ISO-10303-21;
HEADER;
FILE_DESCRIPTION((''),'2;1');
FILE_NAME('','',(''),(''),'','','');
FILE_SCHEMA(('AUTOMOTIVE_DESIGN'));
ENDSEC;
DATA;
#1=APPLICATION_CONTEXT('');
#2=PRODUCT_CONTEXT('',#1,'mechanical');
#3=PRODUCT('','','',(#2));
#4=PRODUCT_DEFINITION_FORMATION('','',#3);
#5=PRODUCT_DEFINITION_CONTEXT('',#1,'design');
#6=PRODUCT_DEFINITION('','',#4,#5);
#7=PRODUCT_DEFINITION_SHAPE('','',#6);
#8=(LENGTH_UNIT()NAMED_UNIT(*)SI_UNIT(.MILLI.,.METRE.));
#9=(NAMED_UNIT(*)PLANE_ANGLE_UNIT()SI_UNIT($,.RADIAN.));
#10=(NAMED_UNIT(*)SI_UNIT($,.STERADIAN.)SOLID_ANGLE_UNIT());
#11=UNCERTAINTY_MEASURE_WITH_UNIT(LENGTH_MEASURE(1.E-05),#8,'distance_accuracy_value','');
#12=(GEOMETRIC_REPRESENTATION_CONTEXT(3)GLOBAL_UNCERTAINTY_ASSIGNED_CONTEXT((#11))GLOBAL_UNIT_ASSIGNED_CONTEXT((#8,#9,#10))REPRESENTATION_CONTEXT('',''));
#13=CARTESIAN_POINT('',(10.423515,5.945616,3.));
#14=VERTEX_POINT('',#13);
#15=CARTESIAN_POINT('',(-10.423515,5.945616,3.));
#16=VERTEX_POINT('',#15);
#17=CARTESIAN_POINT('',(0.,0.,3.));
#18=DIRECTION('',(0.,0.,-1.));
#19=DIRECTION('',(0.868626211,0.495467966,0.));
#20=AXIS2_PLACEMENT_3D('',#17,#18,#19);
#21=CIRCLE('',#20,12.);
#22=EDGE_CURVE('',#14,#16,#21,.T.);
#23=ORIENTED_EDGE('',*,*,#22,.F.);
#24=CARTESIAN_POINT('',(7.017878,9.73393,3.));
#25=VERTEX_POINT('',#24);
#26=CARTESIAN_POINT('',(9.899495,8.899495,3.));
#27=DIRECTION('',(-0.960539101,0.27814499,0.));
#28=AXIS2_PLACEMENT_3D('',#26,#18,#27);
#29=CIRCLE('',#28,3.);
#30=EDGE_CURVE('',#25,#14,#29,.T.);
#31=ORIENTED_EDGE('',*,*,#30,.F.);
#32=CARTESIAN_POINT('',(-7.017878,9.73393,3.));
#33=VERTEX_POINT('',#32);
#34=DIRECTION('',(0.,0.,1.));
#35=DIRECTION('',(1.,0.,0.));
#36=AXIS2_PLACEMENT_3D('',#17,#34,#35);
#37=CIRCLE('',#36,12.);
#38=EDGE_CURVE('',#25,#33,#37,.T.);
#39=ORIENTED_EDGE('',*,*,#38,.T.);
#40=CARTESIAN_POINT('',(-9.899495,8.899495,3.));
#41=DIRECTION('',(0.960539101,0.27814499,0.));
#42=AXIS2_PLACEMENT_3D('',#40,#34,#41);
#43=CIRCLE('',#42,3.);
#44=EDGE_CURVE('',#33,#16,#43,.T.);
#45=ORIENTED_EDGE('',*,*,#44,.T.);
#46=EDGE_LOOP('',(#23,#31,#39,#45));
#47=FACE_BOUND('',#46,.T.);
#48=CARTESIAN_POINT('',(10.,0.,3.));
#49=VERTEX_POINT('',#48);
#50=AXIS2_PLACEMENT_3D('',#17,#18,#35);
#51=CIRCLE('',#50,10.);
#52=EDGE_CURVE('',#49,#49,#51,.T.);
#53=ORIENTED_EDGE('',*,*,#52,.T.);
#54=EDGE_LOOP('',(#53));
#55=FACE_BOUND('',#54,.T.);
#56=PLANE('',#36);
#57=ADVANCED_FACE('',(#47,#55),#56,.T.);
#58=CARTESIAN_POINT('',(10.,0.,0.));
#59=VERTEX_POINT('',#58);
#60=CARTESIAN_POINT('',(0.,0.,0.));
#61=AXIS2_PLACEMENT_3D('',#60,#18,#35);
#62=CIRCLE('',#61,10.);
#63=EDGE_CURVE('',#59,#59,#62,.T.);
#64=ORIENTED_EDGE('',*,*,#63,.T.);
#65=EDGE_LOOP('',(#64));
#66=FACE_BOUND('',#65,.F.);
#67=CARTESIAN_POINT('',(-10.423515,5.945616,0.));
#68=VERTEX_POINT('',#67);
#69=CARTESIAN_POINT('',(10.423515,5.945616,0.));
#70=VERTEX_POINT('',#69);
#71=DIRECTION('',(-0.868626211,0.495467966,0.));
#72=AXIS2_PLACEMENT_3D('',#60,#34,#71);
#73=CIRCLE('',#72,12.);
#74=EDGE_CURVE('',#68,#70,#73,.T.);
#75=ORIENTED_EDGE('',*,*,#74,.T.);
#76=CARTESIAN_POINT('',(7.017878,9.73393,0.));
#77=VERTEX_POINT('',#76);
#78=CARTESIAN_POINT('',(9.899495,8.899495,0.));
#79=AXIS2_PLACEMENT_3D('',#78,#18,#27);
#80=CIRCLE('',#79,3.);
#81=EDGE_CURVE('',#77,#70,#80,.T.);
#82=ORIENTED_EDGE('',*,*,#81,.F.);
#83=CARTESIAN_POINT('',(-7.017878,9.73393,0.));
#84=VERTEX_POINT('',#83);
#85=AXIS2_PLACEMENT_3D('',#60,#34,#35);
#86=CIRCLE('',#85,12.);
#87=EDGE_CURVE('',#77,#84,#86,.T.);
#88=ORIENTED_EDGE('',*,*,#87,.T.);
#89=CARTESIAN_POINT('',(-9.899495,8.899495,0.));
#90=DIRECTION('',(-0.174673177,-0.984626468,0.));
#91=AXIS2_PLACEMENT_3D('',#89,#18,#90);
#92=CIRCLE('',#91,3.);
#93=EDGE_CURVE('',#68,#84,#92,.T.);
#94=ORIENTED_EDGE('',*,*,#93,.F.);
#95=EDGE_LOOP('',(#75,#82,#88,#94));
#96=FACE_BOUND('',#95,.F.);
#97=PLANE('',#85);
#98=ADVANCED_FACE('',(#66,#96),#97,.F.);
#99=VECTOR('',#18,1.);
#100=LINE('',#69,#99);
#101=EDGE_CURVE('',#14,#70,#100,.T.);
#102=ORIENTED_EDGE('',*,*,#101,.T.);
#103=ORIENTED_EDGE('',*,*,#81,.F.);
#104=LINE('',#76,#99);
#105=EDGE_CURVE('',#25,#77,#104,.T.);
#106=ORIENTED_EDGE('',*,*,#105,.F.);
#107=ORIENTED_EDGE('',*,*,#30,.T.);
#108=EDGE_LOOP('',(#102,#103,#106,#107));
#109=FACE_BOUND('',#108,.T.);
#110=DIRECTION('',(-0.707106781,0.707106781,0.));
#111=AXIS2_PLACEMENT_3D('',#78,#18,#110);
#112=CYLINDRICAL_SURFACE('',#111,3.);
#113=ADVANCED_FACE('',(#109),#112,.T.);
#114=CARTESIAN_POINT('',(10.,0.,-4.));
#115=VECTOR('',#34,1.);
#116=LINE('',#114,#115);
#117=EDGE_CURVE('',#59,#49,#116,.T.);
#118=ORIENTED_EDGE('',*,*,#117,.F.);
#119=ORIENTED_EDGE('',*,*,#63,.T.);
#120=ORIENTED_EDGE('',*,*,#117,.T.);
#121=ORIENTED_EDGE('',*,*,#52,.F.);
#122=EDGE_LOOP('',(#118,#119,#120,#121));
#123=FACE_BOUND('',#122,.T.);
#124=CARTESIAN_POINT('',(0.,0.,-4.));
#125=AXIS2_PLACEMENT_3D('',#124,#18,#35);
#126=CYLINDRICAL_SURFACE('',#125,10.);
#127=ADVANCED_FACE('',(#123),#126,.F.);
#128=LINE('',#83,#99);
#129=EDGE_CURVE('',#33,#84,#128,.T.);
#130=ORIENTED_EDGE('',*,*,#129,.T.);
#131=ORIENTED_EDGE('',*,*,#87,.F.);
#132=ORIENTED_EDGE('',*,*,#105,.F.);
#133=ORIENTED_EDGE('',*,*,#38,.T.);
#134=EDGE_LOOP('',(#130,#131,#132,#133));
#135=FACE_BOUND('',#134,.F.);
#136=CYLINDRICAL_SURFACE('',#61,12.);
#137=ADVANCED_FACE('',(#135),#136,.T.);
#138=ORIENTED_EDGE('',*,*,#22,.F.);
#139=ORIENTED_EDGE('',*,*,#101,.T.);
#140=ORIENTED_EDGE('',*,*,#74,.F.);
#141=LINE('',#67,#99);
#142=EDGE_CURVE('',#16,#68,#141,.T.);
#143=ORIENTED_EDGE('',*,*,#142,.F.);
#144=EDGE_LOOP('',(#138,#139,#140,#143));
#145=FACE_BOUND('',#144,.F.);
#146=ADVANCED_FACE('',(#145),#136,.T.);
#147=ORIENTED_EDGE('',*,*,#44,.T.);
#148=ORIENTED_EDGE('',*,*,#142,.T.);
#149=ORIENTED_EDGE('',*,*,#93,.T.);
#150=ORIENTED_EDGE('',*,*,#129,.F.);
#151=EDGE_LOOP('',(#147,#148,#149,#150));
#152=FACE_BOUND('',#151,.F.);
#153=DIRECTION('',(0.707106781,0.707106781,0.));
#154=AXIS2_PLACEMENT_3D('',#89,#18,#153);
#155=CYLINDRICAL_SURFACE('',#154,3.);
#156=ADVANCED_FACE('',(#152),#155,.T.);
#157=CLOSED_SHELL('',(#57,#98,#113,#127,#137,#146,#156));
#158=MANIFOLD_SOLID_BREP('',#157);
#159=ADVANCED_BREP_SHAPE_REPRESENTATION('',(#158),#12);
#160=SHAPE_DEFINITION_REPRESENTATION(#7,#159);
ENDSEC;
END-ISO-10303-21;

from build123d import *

# Parameters (mm, degrees)
CYLINDER002_R               = 10
CYLINDER002_DEPTH           = 10
CYLINDER001_R               = 3
CYLINDER001_DEPTH           = 3
CYLINDER001_PLACEMENT_ANGLE = 45
CYLINDER_R                  = 12
CYLINDER_DEPTH              = 3


with BuildPart() as hole:
    # Cylinder002 → Cylinder002 (new body)
    with BuildSketch(Plane.XY.offset(-4)):
        Circle(CYLINDER002_R)
    extrude(amount=CYLINDER002_DEPTH)


with BuildPart() as left_ear:
    # Cylinder001 → Cylinder001 (new body)
    with BuildSketch(Plane.XY):
        Circle(CYLINDER001_R)
    extrude(amount=CYLINDER001_DEPTH)


with BuildPart() as left_ear_1:
    # Cylinder001 placement: moved
    add(left_ear.part.moved(Location((-9.899495, 8.899495, 0))).rotate(Axis((-9.899495, 8.899495, 0), (0, 0, 1)), CYLINDER001_PLACEMENT_ANGLE))


with BuildPart() as right_ear:
    # Part__Mirroring: instance of left-ear
    add(left_ear_1.part.mirror(Plane(origin=(0, 0, 0), x_dir=(0, -1, 0), z_dir=(1, 0, 0))))


with BuildPart() as base_cylinder:
    # Cylinder → Cylinder (new body)
    with BuildSketch(Plane.XY):
        Circle(CYLINDER_R)
    extrude(amount=CYLINDER_DEPTH)


with BuildPart() as ring_with_ears:
    # Fusion base: copy of left-ear
    add(left_ear_1.part)

    # Fusion: union right-ear, base-cylinder
    add(right_ear.part)
    add(base_cylinder.part)

    # Cut: cut hole
    add(hole.part, mode=Mode.SUBTRACT)


solid = ring_with_ears.part
